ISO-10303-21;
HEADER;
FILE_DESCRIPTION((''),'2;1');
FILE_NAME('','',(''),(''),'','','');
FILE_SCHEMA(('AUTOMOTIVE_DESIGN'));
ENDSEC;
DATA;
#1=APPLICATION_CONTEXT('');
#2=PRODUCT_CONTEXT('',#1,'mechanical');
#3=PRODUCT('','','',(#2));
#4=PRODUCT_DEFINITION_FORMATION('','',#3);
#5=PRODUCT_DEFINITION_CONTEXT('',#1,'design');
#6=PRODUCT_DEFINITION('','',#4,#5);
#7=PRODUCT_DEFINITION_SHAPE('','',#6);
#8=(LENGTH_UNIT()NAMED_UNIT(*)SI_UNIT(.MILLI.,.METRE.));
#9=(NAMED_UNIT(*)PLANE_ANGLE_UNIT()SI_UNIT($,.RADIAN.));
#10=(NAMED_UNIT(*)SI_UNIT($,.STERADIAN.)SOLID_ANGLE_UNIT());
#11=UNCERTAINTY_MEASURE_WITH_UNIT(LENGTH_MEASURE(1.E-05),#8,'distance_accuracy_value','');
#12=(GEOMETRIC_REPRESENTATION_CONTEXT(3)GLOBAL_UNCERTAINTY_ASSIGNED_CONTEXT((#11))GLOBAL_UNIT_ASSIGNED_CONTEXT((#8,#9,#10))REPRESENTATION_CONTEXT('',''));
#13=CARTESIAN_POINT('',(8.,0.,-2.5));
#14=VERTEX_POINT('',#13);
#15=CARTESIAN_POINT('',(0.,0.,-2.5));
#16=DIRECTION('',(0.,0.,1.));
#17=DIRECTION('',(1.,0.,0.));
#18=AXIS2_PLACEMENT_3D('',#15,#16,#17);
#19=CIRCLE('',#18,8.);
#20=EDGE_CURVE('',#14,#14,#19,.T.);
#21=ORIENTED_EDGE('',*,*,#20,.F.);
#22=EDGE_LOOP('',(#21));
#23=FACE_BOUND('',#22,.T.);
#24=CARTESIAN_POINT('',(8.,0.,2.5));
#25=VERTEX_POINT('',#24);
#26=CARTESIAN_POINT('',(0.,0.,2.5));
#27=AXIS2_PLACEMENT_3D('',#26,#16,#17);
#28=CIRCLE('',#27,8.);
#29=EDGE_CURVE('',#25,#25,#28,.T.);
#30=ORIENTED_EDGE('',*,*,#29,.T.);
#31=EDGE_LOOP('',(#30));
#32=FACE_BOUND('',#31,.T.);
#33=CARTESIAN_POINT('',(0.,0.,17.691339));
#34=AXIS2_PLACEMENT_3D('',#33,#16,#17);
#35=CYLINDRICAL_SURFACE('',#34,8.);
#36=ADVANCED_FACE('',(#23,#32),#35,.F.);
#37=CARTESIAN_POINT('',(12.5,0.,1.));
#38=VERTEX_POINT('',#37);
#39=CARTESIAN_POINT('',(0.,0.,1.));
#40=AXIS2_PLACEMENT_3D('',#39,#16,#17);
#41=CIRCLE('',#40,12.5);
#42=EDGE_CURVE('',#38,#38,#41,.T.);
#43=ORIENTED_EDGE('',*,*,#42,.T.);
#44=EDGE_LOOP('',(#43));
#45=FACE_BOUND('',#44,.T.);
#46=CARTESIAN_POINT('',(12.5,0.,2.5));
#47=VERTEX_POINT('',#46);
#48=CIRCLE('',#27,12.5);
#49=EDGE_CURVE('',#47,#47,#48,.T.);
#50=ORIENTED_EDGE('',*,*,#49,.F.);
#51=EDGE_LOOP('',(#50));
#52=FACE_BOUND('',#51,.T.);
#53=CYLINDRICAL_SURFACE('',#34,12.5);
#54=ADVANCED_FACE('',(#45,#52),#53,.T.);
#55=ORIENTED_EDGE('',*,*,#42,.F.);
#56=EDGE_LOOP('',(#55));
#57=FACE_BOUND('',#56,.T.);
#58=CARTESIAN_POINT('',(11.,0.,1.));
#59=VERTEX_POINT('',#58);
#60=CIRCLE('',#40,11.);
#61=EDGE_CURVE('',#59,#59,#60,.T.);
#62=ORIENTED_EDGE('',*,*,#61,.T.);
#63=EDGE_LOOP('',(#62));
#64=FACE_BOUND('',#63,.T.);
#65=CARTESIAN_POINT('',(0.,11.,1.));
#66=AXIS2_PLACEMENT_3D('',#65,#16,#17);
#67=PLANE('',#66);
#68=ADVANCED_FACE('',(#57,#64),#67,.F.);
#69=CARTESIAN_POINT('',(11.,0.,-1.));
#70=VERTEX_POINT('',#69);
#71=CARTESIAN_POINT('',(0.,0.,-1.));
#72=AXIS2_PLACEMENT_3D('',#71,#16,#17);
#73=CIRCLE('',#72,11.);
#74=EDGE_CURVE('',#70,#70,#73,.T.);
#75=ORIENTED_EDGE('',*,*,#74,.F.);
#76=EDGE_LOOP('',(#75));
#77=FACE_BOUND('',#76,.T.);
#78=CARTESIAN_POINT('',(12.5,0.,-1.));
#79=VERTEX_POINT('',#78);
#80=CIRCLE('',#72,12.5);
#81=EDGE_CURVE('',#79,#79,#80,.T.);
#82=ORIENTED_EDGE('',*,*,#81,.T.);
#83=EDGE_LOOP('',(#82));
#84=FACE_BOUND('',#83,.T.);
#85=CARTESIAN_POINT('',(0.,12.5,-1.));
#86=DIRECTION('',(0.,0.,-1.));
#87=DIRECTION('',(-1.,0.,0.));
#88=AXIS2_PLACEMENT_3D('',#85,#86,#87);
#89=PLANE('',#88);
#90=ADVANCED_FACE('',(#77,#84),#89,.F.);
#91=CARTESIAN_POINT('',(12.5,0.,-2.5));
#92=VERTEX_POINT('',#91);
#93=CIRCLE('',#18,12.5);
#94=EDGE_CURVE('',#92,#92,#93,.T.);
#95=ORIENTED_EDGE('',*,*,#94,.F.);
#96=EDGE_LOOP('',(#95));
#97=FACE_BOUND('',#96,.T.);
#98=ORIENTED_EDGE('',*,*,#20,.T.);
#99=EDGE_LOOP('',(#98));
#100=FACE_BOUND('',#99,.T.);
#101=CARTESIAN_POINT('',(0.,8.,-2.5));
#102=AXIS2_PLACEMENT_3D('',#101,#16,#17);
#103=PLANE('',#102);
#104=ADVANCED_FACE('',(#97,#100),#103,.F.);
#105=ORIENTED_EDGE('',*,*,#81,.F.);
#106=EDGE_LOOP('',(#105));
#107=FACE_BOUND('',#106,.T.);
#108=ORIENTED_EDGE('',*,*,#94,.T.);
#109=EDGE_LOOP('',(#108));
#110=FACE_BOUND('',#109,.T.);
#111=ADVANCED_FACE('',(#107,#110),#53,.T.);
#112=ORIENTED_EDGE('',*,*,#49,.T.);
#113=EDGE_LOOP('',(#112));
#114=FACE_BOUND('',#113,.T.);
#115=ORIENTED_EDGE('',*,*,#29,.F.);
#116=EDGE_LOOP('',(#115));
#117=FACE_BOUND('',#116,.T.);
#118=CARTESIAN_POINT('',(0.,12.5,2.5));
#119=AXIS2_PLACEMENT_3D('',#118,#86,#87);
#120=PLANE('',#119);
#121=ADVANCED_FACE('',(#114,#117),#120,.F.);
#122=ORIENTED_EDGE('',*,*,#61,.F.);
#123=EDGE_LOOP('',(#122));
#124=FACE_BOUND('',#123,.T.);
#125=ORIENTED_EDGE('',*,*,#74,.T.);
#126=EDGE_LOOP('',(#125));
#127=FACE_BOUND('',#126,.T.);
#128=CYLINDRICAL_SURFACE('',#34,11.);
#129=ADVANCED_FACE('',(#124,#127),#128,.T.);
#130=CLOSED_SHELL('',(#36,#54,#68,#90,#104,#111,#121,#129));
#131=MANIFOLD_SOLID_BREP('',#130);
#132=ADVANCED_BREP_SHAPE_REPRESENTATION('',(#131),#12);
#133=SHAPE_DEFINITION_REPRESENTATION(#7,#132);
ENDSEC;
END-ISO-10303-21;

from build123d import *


with BuildPart() as part:
    # Croquis1 → Revolución1 (revolve)
    with BuildSketch(Plane(origin=(0, 0, 0), x_dir=(0, 0, -1), z_dir=(1, 0, 0)), mode=Mode.PRIVATE) as revoluci_n1_sk:
        Polygon((-2.5, 8), (2.5, 8), (2.5, 12.5), (1, 12.5), (1, 11), (-1, 11), (-1, 12.5), (-2.5, 12.5), align=None)
    revolve(revoluci_n1_sk.sketch.rotate(Axis((0, 0, 17.691339486), (0, 0, -1)), 90), axis=Axis((0, 0, 17.691339486), (0, 0, -1)))


solid = part.part
